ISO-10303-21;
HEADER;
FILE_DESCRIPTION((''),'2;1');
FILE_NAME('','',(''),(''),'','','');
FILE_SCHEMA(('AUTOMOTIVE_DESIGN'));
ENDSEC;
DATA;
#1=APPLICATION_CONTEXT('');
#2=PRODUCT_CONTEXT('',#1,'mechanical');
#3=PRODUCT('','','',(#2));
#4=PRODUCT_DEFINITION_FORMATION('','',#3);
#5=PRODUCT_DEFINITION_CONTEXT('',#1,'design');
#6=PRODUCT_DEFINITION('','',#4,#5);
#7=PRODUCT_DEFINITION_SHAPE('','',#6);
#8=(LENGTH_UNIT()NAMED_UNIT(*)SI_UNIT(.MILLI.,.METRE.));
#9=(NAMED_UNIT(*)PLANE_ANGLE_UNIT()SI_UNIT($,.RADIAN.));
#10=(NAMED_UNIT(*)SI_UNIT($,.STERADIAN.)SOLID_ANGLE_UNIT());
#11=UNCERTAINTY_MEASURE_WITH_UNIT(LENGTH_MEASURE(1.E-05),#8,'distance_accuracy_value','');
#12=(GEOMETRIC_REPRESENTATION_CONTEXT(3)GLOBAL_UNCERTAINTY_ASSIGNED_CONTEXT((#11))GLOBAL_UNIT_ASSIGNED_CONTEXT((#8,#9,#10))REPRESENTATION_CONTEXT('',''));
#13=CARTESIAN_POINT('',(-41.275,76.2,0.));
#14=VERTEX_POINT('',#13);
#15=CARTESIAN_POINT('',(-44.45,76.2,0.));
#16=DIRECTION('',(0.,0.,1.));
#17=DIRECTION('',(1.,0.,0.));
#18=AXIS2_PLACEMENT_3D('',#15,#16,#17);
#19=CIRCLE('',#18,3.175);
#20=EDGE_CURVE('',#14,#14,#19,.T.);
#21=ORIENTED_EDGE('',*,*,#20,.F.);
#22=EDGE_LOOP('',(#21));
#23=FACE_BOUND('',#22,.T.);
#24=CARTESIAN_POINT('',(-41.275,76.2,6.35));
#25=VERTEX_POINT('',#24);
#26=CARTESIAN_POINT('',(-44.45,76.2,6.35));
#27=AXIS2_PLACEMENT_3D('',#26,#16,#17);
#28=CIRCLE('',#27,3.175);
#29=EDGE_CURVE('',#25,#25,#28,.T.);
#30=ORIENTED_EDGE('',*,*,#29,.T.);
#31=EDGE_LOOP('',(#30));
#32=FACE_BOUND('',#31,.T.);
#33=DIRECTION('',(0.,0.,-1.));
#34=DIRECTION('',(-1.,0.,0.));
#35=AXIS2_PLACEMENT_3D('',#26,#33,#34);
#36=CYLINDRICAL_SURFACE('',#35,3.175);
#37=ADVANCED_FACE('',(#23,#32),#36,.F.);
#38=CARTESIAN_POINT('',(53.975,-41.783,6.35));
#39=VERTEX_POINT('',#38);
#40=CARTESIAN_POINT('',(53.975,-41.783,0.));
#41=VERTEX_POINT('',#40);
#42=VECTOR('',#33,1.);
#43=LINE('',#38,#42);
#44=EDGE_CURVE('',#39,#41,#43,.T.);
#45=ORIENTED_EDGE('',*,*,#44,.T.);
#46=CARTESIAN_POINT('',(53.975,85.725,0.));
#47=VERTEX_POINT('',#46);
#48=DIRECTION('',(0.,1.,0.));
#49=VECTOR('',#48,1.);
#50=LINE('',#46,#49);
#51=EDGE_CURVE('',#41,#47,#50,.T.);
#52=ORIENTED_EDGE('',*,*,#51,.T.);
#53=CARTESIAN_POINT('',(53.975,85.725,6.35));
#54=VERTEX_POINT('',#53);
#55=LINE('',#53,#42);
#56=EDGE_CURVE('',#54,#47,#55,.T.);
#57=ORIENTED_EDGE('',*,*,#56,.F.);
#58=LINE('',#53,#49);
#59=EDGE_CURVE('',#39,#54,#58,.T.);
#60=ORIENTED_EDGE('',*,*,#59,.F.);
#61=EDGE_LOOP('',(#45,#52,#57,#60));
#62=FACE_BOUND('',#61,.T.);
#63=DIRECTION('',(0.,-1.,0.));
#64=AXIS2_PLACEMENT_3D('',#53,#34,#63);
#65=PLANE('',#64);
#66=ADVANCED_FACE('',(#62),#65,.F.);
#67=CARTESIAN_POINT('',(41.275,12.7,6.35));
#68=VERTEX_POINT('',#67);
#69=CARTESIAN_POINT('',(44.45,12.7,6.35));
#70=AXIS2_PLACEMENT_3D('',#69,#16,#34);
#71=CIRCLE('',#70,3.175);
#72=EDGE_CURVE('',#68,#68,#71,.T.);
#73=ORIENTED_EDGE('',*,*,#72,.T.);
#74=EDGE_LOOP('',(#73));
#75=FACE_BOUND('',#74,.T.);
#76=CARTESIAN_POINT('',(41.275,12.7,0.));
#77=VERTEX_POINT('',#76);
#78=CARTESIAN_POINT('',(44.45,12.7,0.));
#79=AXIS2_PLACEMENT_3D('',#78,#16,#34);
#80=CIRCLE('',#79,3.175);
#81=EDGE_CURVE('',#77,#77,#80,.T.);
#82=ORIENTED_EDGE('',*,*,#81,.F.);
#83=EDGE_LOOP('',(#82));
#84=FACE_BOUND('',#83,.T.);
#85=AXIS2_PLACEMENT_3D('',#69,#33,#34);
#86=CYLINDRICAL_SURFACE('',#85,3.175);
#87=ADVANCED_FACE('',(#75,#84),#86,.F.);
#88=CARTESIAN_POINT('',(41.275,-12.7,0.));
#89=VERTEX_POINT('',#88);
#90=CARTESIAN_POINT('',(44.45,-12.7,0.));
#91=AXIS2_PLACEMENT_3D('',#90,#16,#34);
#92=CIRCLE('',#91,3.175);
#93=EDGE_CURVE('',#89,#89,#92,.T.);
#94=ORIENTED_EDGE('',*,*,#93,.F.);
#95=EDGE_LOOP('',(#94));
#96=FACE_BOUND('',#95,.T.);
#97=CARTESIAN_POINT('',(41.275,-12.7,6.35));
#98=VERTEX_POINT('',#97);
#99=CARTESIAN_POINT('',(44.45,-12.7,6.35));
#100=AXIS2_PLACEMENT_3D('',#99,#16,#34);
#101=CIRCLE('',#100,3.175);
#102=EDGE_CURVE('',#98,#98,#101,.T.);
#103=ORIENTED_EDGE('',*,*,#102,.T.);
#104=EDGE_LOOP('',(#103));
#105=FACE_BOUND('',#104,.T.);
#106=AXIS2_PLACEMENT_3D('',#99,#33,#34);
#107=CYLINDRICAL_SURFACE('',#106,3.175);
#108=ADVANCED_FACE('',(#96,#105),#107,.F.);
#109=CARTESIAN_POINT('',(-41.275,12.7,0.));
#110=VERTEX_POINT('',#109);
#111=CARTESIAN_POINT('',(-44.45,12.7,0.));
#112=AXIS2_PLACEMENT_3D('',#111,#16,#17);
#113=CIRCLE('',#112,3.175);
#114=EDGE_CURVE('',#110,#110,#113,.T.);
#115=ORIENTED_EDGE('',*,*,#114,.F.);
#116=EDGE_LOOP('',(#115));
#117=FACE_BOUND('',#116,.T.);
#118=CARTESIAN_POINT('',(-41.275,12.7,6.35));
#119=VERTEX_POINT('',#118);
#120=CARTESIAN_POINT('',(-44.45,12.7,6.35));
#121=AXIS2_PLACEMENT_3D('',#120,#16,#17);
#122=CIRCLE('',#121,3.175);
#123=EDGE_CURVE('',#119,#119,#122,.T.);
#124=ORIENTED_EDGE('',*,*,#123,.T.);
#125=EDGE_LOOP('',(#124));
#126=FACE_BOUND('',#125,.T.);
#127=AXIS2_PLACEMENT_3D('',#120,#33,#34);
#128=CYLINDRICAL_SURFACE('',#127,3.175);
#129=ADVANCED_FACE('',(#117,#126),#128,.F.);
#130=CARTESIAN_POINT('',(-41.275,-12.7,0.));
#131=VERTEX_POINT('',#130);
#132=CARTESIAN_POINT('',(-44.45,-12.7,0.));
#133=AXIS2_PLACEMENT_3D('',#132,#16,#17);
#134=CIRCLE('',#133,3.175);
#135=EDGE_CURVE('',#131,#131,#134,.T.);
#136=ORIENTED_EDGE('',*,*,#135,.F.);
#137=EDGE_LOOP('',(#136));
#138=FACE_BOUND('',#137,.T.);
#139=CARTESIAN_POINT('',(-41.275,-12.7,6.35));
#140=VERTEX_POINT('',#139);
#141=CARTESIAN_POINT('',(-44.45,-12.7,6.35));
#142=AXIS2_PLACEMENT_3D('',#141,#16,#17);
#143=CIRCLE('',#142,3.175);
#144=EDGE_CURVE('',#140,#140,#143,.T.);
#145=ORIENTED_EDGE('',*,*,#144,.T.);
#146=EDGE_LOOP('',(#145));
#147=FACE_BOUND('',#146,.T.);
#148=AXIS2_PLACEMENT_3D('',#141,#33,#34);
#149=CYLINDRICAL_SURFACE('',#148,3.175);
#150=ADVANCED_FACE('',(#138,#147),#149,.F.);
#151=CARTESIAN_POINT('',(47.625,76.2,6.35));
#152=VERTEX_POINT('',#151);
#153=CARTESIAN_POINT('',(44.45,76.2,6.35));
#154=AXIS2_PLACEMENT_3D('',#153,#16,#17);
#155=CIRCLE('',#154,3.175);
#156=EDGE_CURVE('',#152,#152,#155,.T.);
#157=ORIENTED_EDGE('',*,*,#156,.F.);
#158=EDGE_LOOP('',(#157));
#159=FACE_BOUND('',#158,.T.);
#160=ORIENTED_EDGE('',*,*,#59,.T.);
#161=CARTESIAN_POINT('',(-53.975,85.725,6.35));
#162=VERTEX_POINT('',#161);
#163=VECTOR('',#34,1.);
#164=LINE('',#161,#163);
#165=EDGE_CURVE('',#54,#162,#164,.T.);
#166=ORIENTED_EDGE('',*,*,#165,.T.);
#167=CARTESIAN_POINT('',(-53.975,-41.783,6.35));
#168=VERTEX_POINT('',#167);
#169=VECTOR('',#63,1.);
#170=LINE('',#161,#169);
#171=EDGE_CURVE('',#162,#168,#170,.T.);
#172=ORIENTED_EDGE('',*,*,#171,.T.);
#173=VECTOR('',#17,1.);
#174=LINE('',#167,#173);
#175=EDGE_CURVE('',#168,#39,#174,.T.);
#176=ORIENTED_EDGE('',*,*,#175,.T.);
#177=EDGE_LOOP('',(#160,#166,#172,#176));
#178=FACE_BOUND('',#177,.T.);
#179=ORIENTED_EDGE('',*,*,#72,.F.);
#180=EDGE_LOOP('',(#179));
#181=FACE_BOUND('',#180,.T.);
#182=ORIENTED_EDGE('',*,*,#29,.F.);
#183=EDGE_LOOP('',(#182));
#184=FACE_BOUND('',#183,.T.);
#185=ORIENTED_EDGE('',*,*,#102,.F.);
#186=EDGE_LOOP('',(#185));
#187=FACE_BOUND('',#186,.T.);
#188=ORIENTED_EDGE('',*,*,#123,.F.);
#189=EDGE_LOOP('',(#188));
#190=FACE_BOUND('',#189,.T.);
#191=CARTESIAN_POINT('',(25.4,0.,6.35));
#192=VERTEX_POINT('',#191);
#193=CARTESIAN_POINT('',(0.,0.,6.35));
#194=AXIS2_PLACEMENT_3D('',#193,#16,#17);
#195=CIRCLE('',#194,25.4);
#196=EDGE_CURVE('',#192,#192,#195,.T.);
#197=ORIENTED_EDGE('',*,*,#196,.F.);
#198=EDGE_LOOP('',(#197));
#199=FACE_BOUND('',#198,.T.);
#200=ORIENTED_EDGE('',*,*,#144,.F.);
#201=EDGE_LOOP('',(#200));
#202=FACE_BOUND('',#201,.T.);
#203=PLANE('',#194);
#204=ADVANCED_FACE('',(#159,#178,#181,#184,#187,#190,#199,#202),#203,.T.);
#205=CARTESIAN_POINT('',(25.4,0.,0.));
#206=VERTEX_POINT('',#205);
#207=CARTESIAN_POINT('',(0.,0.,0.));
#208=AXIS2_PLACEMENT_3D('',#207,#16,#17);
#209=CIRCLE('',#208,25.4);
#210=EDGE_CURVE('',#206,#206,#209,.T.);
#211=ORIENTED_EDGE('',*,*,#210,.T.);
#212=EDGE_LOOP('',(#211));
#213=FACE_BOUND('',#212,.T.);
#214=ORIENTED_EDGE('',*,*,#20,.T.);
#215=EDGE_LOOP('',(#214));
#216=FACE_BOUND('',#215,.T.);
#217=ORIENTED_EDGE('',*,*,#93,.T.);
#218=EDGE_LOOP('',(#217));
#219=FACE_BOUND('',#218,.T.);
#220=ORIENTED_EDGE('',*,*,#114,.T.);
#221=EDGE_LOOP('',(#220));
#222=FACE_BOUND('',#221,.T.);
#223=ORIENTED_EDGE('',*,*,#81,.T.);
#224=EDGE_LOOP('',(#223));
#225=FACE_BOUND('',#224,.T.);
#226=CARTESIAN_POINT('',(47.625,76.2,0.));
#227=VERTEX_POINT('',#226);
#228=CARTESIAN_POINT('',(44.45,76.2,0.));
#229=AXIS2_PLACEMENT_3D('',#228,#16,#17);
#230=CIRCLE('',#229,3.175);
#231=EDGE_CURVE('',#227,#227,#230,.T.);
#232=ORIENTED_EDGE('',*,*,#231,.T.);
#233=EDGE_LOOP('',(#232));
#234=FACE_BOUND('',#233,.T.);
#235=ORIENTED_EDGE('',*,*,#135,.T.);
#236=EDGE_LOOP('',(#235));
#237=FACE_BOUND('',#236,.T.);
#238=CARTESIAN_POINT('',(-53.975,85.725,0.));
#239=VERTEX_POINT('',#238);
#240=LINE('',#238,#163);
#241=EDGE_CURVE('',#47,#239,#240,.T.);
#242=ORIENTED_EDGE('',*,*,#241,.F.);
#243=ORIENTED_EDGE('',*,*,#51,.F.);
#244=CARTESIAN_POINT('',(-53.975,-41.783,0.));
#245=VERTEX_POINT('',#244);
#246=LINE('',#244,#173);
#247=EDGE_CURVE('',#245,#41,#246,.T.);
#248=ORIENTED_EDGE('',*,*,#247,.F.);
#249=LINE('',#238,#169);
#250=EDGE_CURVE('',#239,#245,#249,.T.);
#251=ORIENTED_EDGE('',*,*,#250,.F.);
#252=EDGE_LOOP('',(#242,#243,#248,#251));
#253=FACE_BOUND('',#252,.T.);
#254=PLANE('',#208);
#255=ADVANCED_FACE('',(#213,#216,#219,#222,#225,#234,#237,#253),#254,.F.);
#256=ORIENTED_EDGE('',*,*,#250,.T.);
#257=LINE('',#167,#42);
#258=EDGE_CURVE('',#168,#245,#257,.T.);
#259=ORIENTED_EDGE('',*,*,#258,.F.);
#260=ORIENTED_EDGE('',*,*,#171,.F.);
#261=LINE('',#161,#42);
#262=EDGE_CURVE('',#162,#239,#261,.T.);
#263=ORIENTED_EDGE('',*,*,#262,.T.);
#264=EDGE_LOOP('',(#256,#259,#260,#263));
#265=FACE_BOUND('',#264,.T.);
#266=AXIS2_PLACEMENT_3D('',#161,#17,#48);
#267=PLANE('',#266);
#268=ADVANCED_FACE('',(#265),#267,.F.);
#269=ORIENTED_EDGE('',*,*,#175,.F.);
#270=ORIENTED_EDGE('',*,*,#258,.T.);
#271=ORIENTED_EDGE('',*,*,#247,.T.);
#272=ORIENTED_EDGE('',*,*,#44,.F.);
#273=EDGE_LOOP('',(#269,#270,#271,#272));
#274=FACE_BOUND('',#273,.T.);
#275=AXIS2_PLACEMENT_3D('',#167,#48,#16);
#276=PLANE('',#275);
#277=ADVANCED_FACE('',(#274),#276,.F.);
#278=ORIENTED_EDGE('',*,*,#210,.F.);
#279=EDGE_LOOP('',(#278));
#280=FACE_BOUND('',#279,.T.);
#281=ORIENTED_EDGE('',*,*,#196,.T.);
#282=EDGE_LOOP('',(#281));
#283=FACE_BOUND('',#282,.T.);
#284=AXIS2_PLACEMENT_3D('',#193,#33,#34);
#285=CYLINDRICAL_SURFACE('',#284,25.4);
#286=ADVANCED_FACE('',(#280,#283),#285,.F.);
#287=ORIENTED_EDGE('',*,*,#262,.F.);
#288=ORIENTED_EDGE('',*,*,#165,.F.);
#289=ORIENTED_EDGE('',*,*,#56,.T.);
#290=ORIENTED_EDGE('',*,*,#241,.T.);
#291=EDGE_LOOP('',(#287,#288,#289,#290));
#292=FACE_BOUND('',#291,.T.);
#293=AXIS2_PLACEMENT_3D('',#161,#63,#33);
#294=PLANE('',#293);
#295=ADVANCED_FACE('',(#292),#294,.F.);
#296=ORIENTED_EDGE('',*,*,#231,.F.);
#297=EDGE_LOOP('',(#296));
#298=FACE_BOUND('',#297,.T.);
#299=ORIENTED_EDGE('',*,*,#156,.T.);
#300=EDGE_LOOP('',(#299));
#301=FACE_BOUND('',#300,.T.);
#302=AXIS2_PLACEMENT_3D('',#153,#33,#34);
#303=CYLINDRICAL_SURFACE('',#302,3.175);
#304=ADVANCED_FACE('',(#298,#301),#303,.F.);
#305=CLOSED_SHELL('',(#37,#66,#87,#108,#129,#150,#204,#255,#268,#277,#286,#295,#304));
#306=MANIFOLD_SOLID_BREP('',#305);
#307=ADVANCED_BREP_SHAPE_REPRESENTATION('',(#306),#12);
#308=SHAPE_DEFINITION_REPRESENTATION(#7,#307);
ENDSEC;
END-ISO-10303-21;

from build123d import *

# Parameters (mm, degrees)
SKETCH1_W           = 107.95
SKETCH1_H           = 127.508
SKETCH1_R           = 25.4
SKETCH1_R_2         = 3.175
BOSS_EXTRUDE1_DEPTH = 6.35


with BuildPart() as part:
    # Sketch1 → Boss-Extrude1 (new body)
    with BuildSketch(Plane.XY):
        with Locations((0, 21.971)):
            Rectangle(SKETCH1_W, SKETCH1_H)
        Circle(SKETCH1_R, mode=Mode.SUBTRACT)
        with Locations((-44.45, 76.2)):
            Circle(SKETCH1_R_2, mode=Mode.SUBTRACT)
        with Locations((44.45, 76.2)):
            Circle(SKETCH1_R_2, mode=Mode.SUBTRACT)
        with Locations((-44.45, 12.7)):
            Circle(SKETCH1_R_2, mode=Mode.SUBTRACT)
        with Locations((-44.45, -12.7)):
            Circle(SKETCH1_R_2, mode=Mode.SUBTRACT)
        with Locations((44.45, -12.7)):
            Circle(SKETCH1_R_2, mode=Mode.SUBTRACT)
        with Locations((44.45, 12.7)):
            Circle(SKETCH1_R_2, mode=Mode.SUBTRACT)
    extrude(amount=BOSS_EXTRUDE1_DEPTH)


solid = part.part
